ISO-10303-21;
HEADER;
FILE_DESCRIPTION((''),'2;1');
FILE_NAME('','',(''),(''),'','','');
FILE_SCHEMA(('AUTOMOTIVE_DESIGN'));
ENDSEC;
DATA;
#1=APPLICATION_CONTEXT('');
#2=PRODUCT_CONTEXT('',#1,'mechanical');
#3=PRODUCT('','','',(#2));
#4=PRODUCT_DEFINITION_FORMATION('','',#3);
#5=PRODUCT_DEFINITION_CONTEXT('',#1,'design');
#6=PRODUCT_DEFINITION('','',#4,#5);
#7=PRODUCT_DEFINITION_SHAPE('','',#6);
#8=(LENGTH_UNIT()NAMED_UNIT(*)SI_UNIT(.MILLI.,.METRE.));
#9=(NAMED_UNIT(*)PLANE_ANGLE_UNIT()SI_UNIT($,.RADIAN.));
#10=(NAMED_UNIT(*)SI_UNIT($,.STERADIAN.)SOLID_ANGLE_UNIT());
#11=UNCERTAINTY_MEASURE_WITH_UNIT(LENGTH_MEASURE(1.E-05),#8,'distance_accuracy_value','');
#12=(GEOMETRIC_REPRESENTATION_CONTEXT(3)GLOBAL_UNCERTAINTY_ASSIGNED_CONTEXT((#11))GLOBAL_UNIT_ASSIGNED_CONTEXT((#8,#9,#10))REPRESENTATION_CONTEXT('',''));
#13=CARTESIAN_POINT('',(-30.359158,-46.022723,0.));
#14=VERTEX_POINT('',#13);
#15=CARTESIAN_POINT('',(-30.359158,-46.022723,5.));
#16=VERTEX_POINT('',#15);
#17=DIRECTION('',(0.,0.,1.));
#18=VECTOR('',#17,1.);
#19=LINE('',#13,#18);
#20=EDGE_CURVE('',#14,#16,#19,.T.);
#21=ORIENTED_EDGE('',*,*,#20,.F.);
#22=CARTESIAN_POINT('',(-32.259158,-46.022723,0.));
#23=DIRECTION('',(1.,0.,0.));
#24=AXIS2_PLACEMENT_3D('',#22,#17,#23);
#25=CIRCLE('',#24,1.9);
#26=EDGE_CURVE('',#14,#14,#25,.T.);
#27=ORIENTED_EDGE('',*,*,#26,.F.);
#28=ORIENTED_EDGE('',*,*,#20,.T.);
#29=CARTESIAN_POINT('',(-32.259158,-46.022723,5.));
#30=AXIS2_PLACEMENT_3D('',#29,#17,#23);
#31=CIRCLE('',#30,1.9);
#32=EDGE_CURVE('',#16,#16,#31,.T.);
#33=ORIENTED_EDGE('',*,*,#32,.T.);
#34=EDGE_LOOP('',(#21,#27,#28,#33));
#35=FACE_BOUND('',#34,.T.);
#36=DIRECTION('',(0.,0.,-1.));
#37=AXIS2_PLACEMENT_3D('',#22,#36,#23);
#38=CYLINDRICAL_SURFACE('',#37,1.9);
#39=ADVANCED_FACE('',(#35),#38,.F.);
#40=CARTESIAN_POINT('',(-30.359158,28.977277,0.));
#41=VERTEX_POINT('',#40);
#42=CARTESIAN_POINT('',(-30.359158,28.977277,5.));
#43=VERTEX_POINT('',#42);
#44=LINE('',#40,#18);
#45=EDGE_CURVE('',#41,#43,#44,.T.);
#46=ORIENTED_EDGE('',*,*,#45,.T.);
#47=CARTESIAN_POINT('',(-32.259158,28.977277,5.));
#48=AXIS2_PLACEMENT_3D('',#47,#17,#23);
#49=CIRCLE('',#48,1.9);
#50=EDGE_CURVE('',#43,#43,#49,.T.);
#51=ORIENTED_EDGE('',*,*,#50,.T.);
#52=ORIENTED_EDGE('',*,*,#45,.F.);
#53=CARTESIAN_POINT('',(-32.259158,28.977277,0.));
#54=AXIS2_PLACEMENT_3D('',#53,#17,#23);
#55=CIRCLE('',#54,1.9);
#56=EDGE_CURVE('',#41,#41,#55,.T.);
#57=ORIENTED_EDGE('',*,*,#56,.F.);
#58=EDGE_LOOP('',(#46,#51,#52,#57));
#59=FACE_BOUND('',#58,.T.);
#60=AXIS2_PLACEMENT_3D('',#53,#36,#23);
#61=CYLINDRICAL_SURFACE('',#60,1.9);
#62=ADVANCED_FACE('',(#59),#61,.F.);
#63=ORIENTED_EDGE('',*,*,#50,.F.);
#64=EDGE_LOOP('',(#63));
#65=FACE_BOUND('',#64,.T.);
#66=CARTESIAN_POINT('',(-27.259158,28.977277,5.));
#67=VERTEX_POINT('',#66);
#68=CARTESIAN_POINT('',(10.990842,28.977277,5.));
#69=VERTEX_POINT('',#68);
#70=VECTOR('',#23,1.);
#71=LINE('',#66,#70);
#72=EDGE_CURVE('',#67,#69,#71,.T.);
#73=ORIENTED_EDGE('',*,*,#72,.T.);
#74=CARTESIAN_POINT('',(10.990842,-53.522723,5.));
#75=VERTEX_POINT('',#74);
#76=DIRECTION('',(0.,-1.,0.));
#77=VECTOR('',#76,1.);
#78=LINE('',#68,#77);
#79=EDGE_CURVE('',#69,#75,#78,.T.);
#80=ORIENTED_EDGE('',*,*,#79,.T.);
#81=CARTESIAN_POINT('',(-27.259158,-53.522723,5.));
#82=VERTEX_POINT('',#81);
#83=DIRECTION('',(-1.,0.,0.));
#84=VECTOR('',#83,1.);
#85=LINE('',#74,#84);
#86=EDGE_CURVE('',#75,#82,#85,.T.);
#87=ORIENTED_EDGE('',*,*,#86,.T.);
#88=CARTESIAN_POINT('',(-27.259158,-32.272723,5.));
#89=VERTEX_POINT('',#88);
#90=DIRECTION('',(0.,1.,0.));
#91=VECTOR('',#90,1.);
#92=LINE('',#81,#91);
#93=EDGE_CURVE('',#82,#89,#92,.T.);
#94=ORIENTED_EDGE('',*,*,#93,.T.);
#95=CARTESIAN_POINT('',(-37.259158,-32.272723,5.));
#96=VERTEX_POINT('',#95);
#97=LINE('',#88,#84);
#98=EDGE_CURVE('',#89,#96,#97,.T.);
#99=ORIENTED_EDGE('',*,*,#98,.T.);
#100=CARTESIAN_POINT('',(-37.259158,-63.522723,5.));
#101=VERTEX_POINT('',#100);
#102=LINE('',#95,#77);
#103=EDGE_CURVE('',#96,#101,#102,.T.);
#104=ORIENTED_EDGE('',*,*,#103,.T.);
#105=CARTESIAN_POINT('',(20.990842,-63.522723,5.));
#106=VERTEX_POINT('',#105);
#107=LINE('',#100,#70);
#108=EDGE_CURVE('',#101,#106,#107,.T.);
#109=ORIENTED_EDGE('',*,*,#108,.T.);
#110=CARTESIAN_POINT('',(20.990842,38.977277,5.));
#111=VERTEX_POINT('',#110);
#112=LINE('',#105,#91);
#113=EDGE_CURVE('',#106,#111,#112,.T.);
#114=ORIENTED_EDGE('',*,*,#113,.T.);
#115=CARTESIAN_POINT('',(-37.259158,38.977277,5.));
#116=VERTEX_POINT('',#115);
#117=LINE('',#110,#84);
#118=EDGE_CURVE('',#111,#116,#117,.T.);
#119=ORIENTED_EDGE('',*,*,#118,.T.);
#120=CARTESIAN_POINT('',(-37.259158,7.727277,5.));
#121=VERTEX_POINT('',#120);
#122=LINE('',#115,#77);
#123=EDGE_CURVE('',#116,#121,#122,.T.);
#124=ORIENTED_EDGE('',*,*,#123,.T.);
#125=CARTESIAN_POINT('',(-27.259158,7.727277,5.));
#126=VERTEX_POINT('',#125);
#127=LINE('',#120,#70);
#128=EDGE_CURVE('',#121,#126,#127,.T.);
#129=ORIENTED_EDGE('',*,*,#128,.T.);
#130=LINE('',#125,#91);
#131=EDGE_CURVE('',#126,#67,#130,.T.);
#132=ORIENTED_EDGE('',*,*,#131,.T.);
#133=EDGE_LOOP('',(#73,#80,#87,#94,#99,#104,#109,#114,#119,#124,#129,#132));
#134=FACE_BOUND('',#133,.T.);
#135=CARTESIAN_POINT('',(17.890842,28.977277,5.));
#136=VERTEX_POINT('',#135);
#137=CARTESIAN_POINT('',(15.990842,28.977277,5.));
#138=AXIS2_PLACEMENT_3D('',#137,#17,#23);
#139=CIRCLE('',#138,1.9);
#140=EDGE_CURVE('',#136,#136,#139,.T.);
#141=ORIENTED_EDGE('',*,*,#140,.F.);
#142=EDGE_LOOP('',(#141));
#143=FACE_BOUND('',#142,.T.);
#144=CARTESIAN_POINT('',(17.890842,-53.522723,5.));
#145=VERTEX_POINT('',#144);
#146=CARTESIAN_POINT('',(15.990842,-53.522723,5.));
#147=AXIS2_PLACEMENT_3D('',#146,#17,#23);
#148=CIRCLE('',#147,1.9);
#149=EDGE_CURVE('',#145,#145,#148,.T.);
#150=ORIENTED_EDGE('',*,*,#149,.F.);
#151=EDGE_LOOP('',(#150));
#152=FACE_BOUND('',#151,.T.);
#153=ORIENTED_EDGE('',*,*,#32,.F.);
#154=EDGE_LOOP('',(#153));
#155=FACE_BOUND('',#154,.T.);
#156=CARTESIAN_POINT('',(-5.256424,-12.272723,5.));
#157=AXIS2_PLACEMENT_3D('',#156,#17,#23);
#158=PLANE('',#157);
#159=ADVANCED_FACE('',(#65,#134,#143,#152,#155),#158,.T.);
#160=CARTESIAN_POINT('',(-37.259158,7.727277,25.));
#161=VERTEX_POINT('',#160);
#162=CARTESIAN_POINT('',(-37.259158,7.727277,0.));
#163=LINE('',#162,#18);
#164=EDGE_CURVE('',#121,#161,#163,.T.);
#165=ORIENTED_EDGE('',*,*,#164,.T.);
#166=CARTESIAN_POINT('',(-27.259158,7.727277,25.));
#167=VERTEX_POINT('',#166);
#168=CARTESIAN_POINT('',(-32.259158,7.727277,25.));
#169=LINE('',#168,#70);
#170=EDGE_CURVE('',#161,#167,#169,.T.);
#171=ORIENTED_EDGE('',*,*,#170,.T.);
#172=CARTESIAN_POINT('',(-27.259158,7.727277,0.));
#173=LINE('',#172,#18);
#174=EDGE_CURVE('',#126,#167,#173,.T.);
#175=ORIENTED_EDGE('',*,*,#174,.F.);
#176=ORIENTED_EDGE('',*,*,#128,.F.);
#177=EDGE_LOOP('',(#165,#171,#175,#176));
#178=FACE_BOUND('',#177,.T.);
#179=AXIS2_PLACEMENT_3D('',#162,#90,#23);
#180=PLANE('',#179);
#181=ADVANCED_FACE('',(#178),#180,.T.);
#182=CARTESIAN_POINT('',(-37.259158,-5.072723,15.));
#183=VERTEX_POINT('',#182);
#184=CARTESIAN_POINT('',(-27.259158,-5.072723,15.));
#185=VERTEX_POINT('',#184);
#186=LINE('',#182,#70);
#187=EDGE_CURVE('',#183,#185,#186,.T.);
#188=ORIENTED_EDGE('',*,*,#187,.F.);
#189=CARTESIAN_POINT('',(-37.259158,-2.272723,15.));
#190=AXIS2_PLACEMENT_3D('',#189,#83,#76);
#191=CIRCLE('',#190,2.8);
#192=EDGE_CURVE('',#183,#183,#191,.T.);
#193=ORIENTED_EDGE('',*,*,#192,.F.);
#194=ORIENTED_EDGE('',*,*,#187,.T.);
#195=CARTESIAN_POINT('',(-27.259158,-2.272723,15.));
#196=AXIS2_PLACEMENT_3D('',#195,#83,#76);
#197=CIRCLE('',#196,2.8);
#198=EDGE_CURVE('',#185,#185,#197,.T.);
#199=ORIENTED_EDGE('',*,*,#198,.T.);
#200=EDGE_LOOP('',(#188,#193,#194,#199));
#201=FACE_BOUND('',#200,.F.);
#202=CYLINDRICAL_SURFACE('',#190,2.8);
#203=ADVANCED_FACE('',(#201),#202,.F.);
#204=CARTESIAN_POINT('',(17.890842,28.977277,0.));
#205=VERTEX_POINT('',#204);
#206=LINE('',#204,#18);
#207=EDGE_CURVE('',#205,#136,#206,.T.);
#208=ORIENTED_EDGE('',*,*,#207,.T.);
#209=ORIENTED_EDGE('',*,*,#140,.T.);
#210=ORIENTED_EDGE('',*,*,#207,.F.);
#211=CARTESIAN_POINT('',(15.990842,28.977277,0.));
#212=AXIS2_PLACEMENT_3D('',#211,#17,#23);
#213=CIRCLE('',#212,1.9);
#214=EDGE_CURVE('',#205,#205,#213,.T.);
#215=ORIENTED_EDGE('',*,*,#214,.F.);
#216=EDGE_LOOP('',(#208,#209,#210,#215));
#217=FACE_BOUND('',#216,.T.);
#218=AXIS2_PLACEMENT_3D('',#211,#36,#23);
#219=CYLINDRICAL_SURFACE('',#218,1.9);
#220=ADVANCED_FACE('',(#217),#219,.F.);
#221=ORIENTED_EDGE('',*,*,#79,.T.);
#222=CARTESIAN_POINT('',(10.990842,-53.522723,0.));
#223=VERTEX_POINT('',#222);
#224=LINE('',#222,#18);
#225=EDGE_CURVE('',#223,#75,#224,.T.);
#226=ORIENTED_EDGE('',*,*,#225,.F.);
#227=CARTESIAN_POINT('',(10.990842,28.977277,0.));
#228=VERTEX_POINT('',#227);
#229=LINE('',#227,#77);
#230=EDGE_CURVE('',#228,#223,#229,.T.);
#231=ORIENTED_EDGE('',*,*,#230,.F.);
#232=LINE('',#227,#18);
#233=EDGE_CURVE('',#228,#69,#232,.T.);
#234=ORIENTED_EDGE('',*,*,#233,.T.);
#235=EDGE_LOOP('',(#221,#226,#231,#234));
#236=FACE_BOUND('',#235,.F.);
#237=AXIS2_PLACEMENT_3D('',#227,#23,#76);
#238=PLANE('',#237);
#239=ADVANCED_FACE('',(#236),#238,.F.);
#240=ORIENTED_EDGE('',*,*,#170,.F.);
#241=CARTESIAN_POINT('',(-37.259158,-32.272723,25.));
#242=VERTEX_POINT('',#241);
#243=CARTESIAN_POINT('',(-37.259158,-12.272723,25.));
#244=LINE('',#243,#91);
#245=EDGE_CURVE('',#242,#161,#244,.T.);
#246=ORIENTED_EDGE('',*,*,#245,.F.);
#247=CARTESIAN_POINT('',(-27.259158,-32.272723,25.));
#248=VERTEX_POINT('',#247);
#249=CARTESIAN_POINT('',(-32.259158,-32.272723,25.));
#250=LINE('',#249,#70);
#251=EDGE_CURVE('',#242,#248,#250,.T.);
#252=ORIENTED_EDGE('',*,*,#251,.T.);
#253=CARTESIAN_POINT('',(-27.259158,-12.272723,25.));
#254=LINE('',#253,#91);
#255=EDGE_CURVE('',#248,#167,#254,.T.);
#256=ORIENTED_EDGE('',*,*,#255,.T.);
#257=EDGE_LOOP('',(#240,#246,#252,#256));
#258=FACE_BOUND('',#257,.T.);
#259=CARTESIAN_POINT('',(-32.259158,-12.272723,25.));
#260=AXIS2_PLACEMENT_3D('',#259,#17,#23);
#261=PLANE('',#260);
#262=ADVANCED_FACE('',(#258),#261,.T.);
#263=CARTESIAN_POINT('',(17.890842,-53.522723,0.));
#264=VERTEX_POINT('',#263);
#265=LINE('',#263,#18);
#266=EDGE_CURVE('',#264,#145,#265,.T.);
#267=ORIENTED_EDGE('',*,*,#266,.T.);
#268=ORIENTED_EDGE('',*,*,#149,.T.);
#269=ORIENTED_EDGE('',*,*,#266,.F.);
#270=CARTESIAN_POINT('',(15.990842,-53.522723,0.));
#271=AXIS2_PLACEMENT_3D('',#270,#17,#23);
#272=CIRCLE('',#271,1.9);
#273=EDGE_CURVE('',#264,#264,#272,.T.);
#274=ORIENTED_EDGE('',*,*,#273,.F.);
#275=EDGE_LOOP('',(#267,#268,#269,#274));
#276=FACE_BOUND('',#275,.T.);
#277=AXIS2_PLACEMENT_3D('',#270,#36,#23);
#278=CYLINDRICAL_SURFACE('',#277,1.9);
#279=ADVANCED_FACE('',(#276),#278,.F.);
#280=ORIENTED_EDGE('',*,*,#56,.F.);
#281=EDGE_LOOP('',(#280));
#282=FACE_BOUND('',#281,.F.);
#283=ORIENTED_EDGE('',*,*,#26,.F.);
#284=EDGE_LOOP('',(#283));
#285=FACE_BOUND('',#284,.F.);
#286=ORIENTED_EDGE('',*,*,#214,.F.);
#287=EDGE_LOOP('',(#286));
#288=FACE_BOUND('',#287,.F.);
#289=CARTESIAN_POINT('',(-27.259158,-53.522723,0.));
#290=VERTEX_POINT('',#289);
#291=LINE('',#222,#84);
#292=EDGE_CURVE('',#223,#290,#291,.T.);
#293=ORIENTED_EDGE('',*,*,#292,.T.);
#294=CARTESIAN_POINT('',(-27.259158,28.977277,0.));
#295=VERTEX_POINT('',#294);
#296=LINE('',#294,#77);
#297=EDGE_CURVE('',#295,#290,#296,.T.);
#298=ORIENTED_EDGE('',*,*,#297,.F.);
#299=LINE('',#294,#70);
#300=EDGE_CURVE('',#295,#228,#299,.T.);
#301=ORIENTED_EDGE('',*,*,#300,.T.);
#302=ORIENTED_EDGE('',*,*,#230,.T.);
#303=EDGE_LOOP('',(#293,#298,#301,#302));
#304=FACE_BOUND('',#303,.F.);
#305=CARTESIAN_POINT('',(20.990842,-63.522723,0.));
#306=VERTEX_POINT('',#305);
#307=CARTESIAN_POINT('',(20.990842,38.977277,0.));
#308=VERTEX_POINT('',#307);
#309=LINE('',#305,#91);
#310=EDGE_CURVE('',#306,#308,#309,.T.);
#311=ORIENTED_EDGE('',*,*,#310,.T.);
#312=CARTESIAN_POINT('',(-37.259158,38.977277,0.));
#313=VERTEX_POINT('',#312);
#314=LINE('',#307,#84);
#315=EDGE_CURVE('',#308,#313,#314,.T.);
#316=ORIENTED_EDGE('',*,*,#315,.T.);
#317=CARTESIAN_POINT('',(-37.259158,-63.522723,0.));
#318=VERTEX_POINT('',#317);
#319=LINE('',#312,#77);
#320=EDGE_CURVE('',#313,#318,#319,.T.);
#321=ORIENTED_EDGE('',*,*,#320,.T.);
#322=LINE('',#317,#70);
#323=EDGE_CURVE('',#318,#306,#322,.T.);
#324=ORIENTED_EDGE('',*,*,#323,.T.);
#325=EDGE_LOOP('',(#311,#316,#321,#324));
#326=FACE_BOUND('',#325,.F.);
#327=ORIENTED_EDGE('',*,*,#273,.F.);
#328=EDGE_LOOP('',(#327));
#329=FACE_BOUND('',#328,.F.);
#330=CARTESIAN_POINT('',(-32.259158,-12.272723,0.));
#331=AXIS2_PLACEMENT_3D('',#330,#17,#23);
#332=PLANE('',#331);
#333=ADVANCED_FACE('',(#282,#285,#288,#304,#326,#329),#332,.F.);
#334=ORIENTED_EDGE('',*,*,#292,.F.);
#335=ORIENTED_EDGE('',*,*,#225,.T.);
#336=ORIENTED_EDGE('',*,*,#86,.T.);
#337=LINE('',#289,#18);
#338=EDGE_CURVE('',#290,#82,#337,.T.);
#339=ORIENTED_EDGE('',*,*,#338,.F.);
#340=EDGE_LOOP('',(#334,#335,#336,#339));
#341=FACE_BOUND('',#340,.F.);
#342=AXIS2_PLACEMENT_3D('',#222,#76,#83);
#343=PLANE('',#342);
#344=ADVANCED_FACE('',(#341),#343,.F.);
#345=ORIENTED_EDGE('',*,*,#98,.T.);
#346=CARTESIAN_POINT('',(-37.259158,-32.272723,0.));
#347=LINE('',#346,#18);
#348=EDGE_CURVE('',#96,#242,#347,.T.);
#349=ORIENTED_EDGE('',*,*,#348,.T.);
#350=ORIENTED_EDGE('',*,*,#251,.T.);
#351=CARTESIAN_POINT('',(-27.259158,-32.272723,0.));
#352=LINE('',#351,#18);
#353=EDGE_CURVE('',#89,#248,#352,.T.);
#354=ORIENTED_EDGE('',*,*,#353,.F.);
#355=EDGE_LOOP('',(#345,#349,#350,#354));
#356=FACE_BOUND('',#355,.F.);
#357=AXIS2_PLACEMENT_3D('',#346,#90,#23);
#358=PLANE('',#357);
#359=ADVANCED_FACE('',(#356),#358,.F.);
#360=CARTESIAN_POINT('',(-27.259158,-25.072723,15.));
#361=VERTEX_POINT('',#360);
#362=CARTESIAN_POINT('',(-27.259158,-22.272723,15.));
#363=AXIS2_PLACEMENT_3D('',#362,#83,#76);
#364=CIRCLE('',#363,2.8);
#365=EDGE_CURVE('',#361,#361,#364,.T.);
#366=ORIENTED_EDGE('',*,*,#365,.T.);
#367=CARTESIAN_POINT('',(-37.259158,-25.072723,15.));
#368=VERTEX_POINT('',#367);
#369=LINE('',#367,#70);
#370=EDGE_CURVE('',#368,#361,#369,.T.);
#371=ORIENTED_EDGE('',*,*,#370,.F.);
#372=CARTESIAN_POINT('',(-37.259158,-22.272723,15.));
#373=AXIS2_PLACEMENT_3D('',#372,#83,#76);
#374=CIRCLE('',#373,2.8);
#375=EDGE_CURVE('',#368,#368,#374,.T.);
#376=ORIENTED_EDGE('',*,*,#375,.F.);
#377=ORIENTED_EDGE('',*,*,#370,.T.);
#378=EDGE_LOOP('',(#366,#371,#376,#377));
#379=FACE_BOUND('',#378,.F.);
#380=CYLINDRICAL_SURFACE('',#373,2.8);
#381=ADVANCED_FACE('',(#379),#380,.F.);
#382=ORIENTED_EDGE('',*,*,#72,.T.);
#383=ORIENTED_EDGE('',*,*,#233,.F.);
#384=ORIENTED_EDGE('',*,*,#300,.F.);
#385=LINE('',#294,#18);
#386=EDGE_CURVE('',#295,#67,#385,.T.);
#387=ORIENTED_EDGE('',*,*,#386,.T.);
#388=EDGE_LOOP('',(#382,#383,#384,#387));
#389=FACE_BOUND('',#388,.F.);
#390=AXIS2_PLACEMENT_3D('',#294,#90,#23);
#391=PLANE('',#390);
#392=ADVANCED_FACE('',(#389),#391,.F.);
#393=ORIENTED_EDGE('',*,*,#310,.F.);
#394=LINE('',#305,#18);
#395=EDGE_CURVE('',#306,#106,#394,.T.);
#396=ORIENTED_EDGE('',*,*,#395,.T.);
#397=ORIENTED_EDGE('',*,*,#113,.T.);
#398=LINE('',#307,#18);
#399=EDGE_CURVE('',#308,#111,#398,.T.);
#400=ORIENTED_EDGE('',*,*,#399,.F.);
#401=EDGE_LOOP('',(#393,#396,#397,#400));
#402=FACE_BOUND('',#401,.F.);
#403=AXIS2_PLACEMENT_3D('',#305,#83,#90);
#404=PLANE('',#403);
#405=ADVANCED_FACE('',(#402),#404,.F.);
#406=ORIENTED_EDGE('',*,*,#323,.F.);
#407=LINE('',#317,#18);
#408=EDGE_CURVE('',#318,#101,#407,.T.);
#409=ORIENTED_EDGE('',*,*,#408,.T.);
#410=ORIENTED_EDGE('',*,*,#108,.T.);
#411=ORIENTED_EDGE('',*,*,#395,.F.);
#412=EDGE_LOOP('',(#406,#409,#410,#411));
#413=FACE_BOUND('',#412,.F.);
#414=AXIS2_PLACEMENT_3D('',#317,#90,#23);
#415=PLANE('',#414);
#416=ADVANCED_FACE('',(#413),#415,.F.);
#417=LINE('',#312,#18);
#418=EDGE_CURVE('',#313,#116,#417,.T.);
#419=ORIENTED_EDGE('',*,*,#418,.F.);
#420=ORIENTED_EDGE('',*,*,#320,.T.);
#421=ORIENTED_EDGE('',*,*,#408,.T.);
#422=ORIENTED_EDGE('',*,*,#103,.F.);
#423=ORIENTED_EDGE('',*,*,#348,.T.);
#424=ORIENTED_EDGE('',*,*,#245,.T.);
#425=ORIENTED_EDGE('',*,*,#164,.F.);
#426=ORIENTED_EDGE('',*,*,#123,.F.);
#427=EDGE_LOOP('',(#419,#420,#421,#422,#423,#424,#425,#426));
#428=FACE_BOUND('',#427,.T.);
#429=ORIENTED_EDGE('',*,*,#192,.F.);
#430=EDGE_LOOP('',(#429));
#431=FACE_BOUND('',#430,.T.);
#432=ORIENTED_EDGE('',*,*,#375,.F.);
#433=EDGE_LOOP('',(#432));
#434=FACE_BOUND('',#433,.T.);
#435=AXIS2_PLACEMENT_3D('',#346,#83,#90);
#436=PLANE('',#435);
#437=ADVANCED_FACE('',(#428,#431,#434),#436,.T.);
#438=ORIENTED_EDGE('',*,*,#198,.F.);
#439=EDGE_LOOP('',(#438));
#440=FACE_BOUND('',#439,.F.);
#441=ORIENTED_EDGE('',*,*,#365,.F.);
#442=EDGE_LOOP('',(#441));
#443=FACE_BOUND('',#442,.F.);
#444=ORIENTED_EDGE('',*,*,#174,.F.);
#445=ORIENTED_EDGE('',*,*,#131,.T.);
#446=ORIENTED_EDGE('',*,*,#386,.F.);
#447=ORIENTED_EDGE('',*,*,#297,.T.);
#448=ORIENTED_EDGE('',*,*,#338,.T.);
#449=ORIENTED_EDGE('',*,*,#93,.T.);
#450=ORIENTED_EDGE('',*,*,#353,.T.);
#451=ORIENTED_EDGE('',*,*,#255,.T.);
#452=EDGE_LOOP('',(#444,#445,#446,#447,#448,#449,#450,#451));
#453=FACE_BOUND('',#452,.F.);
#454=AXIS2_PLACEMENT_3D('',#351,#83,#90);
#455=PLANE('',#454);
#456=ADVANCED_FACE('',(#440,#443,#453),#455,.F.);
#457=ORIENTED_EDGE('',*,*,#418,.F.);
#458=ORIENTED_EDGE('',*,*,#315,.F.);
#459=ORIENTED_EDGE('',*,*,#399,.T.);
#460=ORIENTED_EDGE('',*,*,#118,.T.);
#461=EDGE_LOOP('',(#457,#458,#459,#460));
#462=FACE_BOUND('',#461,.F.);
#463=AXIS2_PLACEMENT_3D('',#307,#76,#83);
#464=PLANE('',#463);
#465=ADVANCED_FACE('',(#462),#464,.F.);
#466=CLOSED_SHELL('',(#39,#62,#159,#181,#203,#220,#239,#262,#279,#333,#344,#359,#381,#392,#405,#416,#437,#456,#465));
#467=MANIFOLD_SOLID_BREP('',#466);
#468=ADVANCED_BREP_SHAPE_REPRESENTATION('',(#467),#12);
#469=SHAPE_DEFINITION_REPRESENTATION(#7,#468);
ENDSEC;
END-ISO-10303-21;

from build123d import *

# Parameters (mm, degrees)
F0_R     = 1.9
F1_DEPTH = 5
F0_W     = 10
F0_H     = 40
F2_DEPTH = 25
F3_R     = 2.8
F4_DEPTH = 10


with BuildPart() as f1:
    # F0 (on Top) → F1 (new body)
    with BuildSketch(Plane.XY):
        Polygon((20.990842, 38.977277), (-37.259158, 38.977277), (-37.259158, 7.727277), (-27.259158, 7.727277), (-27.259158, 28.977277), (10.990842, 28.977277), (10.990842, -53.522723), (-27.259158, -53.522723), (-27.259158, -32.272723), (-37.259158, -32.272723), (-37.259158, -63.522723), (20.990842, -63.522723), align=None)
        with Locations((-32.259158, -46.022723)):
            Circle(F0_R, mode=Mode.SUBTRACT)
        with Locations((15.990842, -53.522723)):
            Circle(F0_R, mode=Mode.SUBTRACT)
        with Locations((-32.259158, 28.977277)):
            Circle(F0_R, mode=Mode.SUBTRACT)
        with Locations((15.990842, 28.977277)):
            Circle(F0_R, mode=Mode.SUBTRACT)
    extrude(amount=F1_DEPTH)

    # F0 (on Top) → F2 (join)
    with BuildSketch(Plane.XY):
        with Locations((-32.259158, -12.272723)):
            Rectangle(F0_W, F0_H)
    extrude(amount=F2_DEPTH)

    # F3 (on face) → F4 (cut, through all)
    with BuildSketch(Plane(origin=(-37.259158, 0, 0), x_dir=(0, -1, 0), z_dir=(-1, 0, 0))):
        with Locations((2.272723, 15)):
            Circle(F3_R)
        with Locations((22.272723, 15)):
            Circle(F3_R)
    extrude(amount=-F4_DEPTH, mode=Mode.SUBTRACT)


solid = f1.part
